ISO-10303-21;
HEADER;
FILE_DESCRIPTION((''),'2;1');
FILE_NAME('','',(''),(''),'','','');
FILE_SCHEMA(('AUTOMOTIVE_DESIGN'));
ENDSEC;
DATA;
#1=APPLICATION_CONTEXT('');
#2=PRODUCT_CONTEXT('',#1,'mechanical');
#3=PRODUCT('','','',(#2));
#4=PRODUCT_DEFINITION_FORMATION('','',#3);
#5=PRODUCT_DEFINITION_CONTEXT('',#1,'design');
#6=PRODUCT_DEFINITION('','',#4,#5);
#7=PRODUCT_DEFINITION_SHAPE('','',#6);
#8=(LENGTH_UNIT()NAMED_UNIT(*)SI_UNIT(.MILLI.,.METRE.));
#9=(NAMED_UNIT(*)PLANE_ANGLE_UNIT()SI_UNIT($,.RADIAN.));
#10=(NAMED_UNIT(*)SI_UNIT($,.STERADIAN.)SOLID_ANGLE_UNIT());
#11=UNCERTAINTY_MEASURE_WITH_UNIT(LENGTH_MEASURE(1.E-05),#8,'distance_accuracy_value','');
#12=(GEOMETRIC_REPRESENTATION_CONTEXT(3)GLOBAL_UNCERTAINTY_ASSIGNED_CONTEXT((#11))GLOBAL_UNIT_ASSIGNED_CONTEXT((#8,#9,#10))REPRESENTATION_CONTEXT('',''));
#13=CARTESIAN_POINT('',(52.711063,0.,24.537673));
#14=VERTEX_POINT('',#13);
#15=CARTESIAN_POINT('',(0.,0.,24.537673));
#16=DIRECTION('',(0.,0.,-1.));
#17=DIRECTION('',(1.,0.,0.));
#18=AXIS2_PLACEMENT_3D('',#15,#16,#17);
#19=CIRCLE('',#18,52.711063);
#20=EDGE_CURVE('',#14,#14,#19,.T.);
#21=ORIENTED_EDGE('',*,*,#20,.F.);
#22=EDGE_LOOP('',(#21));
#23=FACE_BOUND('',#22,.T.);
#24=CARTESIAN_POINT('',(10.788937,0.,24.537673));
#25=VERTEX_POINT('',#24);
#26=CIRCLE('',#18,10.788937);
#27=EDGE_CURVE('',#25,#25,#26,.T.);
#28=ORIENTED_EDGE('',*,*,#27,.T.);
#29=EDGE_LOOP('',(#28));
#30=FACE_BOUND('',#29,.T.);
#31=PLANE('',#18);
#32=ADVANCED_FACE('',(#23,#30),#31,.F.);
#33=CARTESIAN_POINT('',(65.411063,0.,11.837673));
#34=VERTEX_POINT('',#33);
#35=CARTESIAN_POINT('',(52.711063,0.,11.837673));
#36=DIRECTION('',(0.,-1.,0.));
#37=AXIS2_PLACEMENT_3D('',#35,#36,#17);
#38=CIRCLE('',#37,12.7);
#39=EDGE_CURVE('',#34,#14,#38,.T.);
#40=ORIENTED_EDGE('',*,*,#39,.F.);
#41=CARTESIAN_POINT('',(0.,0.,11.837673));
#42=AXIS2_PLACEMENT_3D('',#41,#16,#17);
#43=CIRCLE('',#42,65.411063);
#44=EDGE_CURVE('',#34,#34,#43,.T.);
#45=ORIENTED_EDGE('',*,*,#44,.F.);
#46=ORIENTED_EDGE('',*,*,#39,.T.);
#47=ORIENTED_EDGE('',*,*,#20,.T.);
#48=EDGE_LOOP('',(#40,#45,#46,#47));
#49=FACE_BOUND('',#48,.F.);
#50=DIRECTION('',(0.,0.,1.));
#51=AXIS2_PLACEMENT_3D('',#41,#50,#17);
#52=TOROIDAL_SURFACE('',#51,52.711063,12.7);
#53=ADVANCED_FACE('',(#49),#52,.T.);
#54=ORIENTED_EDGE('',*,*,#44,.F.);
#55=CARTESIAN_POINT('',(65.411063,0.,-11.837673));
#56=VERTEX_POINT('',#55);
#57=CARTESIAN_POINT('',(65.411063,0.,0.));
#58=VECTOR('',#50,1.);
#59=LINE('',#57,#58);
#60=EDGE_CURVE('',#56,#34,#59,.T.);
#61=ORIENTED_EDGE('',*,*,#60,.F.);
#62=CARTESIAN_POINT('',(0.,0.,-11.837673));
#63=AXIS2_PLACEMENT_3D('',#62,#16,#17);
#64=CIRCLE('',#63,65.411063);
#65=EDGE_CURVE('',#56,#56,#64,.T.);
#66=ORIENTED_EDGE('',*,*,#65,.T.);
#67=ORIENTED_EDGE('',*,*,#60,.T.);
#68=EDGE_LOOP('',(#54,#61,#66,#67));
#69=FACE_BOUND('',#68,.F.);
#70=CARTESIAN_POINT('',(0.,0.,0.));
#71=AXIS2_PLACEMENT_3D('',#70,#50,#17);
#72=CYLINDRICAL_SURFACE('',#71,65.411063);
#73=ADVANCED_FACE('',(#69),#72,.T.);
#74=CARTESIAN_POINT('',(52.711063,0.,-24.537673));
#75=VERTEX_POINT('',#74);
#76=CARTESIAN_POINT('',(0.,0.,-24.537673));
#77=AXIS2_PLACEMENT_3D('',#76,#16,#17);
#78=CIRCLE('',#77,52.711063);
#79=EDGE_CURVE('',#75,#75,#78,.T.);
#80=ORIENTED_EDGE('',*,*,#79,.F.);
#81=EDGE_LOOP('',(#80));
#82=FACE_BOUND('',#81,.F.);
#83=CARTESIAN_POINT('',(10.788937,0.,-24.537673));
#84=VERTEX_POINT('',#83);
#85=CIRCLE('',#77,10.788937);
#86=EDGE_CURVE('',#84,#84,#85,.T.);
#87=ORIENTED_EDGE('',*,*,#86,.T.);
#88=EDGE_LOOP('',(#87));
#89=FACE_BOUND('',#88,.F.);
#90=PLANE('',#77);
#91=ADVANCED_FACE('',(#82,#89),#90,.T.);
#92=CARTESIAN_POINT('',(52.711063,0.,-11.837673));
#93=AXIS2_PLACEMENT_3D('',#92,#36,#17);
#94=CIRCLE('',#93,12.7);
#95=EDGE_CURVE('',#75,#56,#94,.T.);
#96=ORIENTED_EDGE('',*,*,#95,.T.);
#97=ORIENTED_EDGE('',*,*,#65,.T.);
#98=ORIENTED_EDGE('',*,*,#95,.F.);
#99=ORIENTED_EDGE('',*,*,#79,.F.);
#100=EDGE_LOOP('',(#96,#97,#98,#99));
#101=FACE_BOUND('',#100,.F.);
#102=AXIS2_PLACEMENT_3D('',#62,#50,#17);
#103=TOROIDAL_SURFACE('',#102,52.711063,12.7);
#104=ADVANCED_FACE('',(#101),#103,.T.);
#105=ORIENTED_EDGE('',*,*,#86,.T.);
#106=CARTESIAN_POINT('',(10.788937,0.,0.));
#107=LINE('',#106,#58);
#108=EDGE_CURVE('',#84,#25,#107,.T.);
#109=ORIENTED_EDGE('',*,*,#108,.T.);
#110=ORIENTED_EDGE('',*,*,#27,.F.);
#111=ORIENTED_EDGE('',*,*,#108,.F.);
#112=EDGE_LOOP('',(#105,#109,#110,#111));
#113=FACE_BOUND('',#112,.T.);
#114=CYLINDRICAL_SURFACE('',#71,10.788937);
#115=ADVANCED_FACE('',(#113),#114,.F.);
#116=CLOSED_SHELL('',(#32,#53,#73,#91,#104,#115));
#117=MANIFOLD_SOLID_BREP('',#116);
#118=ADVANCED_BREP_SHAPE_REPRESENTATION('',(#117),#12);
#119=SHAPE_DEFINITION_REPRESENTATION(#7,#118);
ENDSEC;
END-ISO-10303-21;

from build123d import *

# Parameters (mm, degrees)
F0_W = 54.622126
F0_H = 49.075346
F0_R = 12.7
F2_R = 12.7


with BuildPart() as f1:
    # F0 (on Front) → F1 (revolve)
    with BuildSketch(Plane.XZ):
        with Locations((38.1, 0)):
            Rectangle(F0_W, F0_H)
        with Locations((38.1, 0)):
            Circle(F0_R, mode=Mode.SUBTRACT)
        with Locations((38.1, 0)):
            Circle(F0_R)
    revolve(axis=Axis((0, 0, 0), (0, 0, -1)))

    # F2
    f2_edges = [f1.edges().sort_by_distance(p)[0] for p in [
        (-65.411063, 0, 24.537673),
        (-65.411063, 0, -24.537673),
    ]]
    fillet(f2_edges, radius=F2_R)


solid = f1.part
